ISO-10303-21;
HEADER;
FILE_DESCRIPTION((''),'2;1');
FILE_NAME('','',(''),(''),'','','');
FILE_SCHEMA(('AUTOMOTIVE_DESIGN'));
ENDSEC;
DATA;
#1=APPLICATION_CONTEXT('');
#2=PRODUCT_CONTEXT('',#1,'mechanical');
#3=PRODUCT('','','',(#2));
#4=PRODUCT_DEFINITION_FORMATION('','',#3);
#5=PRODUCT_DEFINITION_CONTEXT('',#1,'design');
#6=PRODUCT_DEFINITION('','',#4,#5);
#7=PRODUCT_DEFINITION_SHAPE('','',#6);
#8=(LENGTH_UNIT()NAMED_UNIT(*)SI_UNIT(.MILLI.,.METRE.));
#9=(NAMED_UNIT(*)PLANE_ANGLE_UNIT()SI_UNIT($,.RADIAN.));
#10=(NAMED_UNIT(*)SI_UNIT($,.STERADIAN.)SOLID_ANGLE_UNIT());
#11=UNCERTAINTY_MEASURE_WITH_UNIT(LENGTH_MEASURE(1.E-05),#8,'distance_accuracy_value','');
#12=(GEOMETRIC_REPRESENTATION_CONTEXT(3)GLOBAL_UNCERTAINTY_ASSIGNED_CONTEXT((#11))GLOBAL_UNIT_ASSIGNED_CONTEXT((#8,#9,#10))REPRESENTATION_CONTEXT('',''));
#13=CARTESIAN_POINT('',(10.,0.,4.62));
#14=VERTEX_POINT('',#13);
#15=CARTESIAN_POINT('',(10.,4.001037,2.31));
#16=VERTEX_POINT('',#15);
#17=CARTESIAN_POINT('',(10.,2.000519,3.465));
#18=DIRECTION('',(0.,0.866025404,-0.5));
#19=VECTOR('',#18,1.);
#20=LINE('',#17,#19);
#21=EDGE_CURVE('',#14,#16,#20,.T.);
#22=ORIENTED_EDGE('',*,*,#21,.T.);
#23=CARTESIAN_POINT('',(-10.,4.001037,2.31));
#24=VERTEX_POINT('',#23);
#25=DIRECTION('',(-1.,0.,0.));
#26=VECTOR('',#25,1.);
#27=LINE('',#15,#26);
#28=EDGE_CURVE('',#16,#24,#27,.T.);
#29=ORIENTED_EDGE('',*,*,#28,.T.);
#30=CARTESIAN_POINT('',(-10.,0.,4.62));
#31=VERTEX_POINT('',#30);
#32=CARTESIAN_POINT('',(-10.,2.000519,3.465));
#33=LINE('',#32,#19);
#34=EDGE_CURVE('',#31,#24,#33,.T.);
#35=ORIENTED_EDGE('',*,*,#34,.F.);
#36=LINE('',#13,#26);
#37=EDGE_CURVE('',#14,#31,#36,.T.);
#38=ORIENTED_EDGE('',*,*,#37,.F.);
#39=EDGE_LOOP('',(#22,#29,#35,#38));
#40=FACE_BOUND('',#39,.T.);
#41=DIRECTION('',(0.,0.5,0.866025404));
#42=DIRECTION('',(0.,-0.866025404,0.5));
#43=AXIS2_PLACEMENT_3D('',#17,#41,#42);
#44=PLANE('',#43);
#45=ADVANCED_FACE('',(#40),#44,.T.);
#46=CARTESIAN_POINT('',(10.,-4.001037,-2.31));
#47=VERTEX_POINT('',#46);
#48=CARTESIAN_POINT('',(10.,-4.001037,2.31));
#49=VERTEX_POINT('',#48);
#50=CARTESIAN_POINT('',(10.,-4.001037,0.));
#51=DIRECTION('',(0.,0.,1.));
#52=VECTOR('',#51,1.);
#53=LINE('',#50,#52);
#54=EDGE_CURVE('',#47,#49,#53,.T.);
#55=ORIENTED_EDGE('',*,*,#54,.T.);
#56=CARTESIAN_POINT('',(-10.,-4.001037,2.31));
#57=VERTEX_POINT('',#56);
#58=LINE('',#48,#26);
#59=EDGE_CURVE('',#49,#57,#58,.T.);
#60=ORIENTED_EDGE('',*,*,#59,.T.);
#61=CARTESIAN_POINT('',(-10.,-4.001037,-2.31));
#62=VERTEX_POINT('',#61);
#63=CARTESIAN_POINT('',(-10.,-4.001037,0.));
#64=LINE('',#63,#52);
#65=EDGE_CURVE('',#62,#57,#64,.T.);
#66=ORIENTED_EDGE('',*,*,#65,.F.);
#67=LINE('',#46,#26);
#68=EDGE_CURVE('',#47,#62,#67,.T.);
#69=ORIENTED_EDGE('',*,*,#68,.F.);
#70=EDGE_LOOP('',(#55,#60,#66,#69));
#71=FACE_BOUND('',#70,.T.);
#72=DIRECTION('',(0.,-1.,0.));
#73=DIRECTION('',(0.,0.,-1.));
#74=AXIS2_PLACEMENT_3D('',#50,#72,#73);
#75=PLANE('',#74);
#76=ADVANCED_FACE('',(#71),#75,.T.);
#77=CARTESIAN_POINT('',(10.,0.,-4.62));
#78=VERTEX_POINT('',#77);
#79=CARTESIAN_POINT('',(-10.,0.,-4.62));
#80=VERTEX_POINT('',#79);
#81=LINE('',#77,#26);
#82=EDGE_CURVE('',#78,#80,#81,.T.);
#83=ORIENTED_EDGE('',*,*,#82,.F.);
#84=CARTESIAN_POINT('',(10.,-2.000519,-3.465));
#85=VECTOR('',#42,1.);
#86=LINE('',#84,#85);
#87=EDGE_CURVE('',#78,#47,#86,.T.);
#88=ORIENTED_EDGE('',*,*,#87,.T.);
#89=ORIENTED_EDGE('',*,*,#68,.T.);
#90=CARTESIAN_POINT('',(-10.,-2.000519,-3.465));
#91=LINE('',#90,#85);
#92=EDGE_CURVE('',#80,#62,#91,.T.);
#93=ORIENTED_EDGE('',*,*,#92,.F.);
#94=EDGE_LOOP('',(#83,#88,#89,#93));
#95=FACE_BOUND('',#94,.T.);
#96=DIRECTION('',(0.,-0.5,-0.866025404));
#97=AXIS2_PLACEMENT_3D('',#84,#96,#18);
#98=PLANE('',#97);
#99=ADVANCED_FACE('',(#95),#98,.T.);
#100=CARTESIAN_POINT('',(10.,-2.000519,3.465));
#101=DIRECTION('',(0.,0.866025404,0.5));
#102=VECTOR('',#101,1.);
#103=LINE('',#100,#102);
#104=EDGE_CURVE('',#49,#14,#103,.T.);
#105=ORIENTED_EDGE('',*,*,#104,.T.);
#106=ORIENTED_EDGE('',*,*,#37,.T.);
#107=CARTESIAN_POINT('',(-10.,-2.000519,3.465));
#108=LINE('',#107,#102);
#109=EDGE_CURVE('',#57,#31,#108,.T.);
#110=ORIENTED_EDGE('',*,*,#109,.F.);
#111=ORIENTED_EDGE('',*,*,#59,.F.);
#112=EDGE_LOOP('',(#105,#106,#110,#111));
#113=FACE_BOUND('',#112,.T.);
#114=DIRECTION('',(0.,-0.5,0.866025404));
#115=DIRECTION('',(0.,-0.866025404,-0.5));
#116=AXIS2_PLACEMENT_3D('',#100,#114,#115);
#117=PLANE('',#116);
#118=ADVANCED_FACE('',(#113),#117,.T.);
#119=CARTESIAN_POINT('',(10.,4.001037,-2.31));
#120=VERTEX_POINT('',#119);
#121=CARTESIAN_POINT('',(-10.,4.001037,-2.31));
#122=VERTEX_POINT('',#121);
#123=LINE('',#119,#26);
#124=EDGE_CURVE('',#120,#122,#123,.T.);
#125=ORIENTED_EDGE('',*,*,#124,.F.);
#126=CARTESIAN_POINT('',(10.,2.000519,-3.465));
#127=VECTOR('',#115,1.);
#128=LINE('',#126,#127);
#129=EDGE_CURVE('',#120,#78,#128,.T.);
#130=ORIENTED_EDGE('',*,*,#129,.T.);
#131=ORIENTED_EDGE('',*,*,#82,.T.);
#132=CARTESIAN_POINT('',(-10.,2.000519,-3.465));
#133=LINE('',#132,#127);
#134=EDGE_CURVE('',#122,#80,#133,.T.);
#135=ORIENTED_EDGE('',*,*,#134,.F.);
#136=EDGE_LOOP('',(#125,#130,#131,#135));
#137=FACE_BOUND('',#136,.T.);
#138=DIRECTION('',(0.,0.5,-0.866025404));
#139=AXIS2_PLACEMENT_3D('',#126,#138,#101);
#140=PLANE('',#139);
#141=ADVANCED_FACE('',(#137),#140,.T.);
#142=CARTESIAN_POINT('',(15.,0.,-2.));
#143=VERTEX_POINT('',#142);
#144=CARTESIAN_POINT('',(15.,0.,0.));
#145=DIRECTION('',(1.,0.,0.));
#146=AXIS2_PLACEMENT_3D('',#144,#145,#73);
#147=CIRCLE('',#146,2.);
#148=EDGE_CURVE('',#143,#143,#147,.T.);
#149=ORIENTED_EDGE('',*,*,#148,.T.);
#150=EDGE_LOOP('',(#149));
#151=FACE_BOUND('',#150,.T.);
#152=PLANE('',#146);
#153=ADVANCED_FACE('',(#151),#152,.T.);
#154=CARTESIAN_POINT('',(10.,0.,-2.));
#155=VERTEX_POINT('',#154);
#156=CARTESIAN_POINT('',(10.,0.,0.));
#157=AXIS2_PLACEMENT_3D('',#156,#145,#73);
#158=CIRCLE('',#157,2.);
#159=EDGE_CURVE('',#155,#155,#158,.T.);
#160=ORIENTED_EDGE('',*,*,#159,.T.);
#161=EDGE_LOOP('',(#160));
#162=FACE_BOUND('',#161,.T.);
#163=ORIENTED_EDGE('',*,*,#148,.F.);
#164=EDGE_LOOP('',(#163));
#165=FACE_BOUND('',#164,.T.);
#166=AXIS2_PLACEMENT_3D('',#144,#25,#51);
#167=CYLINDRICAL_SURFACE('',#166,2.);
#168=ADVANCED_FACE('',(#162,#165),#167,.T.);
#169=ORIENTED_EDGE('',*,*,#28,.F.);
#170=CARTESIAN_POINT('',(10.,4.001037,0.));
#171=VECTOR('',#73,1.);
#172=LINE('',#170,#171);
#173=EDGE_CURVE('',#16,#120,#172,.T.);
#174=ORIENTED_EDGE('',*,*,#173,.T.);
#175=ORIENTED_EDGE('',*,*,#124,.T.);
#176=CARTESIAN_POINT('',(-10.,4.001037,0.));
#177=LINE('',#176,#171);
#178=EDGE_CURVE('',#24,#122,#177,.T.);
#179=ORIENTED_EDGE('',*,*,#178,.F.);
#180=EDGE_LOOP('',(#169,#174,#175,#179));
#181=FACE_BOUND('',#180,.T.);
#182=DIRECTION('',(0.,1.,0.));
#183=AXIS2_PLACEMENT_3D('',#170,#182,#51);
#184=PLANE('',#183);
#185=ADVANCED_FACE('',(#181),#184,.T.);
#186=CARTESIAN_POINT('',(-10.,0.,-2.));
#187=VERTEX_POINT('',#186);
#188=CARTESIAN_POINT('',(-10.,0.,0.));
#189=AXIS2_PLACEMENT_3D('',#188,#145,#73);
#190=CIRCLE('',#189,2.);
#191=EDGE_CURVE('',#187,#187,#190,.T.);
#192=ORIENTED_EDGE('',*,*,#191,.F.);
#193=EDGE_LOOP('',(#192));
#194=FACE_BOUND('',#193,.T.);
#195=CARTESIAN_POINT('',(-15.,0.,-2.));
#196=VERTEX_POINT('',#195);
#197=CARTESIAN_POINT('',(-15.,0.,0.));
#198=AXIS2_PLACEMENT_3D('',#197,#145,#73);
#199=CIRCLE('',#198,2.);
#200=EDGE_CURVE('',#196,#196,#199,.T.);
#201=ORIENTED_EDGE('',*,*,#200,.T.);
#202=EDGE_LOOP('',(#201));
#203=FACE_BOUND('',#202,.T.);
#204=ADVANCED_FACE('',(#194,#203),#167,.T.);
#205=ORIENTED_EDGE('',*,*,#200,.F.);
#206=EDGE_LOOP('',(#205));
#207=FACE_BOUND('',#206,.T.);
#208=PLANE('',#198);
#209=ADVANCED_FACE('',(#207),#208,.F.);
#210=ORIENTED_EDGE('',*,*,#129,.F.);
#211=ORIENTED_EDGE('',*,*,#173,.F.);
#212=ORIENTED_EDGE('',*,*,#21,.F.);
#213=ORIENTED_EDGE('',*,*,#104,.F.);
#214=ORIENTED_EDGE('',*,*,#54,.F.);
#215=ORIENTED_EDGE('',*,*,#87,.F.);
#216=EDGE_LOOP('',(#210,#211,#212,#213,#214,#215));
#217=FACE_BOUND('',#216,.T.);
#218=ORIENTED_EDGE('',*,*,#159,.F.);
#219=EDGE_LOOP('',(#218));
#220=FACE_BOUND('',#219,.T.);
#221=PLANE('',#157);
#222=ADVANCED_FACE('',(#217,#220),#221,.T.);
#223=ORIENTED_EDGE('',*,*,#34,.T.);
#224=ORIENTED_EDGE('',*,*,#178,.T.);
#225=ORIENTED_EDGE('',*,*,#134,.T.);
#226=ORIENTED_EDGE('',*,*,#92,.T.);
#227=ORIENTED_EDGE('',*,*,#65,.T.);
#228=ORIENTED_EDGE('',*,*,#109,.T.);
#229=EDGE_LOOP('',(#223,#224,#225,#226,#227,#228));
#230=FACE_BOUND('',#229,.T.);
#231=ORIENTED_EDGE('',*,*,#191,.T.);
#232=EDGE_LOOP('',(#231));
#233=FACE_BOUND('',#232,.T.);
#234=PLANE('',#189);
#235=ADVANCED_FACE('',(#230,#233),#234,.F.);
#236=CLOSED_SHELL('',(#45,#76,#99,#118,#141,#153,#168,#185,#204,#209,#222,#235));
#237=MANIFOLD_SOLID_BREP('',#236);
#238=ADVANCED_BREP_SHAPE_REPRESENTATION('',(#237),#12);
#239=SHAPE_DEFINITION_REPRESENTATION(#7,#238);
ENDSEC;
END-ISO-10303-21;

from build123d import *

# Parameters (mm, degrees)
ESQUISSE1_R        = 2
BOSS_EXTRU_1_DEPTH = 15
ESQUISSE1_4_R      = 2
BOSS_EXTRU_2_DEPTH = 10


with BuildPart() as part:
    # Esquisse1 → Boss.-Extru.1 (new, symmetric)
    with BuildSketch(Plane(origin=(0, 0, 0), x_dir=(0, 0, -1), z_dir=(1, 0, 0))):
        Circle(ESQUISSE1_R)
    extrude(amount=BOSS_EXTRU_1_DEPTH, both=True)

    # Esquisse1<4> → Boss.-Extru.2 (add, symmetric)
    with BuildSketch(Plane(origin=(0, 0, 0), x_dir=(0, 0, -1), z_dir=(1, 0, 0))):
        Polygon((2.31, 4.001037365), (-2.31, 4.001037365), (-4.62, 0), (-2.31, -4.001037365), (2.31, -4.001037365), (4.62, 0), align=None)
        Circle(ESQUISSE1_4_R, mode=Mode.SUBTRACT)
    extrude(amount=BOSS_EXTRU_2_DEPTH, both=True)


solid = part.part
